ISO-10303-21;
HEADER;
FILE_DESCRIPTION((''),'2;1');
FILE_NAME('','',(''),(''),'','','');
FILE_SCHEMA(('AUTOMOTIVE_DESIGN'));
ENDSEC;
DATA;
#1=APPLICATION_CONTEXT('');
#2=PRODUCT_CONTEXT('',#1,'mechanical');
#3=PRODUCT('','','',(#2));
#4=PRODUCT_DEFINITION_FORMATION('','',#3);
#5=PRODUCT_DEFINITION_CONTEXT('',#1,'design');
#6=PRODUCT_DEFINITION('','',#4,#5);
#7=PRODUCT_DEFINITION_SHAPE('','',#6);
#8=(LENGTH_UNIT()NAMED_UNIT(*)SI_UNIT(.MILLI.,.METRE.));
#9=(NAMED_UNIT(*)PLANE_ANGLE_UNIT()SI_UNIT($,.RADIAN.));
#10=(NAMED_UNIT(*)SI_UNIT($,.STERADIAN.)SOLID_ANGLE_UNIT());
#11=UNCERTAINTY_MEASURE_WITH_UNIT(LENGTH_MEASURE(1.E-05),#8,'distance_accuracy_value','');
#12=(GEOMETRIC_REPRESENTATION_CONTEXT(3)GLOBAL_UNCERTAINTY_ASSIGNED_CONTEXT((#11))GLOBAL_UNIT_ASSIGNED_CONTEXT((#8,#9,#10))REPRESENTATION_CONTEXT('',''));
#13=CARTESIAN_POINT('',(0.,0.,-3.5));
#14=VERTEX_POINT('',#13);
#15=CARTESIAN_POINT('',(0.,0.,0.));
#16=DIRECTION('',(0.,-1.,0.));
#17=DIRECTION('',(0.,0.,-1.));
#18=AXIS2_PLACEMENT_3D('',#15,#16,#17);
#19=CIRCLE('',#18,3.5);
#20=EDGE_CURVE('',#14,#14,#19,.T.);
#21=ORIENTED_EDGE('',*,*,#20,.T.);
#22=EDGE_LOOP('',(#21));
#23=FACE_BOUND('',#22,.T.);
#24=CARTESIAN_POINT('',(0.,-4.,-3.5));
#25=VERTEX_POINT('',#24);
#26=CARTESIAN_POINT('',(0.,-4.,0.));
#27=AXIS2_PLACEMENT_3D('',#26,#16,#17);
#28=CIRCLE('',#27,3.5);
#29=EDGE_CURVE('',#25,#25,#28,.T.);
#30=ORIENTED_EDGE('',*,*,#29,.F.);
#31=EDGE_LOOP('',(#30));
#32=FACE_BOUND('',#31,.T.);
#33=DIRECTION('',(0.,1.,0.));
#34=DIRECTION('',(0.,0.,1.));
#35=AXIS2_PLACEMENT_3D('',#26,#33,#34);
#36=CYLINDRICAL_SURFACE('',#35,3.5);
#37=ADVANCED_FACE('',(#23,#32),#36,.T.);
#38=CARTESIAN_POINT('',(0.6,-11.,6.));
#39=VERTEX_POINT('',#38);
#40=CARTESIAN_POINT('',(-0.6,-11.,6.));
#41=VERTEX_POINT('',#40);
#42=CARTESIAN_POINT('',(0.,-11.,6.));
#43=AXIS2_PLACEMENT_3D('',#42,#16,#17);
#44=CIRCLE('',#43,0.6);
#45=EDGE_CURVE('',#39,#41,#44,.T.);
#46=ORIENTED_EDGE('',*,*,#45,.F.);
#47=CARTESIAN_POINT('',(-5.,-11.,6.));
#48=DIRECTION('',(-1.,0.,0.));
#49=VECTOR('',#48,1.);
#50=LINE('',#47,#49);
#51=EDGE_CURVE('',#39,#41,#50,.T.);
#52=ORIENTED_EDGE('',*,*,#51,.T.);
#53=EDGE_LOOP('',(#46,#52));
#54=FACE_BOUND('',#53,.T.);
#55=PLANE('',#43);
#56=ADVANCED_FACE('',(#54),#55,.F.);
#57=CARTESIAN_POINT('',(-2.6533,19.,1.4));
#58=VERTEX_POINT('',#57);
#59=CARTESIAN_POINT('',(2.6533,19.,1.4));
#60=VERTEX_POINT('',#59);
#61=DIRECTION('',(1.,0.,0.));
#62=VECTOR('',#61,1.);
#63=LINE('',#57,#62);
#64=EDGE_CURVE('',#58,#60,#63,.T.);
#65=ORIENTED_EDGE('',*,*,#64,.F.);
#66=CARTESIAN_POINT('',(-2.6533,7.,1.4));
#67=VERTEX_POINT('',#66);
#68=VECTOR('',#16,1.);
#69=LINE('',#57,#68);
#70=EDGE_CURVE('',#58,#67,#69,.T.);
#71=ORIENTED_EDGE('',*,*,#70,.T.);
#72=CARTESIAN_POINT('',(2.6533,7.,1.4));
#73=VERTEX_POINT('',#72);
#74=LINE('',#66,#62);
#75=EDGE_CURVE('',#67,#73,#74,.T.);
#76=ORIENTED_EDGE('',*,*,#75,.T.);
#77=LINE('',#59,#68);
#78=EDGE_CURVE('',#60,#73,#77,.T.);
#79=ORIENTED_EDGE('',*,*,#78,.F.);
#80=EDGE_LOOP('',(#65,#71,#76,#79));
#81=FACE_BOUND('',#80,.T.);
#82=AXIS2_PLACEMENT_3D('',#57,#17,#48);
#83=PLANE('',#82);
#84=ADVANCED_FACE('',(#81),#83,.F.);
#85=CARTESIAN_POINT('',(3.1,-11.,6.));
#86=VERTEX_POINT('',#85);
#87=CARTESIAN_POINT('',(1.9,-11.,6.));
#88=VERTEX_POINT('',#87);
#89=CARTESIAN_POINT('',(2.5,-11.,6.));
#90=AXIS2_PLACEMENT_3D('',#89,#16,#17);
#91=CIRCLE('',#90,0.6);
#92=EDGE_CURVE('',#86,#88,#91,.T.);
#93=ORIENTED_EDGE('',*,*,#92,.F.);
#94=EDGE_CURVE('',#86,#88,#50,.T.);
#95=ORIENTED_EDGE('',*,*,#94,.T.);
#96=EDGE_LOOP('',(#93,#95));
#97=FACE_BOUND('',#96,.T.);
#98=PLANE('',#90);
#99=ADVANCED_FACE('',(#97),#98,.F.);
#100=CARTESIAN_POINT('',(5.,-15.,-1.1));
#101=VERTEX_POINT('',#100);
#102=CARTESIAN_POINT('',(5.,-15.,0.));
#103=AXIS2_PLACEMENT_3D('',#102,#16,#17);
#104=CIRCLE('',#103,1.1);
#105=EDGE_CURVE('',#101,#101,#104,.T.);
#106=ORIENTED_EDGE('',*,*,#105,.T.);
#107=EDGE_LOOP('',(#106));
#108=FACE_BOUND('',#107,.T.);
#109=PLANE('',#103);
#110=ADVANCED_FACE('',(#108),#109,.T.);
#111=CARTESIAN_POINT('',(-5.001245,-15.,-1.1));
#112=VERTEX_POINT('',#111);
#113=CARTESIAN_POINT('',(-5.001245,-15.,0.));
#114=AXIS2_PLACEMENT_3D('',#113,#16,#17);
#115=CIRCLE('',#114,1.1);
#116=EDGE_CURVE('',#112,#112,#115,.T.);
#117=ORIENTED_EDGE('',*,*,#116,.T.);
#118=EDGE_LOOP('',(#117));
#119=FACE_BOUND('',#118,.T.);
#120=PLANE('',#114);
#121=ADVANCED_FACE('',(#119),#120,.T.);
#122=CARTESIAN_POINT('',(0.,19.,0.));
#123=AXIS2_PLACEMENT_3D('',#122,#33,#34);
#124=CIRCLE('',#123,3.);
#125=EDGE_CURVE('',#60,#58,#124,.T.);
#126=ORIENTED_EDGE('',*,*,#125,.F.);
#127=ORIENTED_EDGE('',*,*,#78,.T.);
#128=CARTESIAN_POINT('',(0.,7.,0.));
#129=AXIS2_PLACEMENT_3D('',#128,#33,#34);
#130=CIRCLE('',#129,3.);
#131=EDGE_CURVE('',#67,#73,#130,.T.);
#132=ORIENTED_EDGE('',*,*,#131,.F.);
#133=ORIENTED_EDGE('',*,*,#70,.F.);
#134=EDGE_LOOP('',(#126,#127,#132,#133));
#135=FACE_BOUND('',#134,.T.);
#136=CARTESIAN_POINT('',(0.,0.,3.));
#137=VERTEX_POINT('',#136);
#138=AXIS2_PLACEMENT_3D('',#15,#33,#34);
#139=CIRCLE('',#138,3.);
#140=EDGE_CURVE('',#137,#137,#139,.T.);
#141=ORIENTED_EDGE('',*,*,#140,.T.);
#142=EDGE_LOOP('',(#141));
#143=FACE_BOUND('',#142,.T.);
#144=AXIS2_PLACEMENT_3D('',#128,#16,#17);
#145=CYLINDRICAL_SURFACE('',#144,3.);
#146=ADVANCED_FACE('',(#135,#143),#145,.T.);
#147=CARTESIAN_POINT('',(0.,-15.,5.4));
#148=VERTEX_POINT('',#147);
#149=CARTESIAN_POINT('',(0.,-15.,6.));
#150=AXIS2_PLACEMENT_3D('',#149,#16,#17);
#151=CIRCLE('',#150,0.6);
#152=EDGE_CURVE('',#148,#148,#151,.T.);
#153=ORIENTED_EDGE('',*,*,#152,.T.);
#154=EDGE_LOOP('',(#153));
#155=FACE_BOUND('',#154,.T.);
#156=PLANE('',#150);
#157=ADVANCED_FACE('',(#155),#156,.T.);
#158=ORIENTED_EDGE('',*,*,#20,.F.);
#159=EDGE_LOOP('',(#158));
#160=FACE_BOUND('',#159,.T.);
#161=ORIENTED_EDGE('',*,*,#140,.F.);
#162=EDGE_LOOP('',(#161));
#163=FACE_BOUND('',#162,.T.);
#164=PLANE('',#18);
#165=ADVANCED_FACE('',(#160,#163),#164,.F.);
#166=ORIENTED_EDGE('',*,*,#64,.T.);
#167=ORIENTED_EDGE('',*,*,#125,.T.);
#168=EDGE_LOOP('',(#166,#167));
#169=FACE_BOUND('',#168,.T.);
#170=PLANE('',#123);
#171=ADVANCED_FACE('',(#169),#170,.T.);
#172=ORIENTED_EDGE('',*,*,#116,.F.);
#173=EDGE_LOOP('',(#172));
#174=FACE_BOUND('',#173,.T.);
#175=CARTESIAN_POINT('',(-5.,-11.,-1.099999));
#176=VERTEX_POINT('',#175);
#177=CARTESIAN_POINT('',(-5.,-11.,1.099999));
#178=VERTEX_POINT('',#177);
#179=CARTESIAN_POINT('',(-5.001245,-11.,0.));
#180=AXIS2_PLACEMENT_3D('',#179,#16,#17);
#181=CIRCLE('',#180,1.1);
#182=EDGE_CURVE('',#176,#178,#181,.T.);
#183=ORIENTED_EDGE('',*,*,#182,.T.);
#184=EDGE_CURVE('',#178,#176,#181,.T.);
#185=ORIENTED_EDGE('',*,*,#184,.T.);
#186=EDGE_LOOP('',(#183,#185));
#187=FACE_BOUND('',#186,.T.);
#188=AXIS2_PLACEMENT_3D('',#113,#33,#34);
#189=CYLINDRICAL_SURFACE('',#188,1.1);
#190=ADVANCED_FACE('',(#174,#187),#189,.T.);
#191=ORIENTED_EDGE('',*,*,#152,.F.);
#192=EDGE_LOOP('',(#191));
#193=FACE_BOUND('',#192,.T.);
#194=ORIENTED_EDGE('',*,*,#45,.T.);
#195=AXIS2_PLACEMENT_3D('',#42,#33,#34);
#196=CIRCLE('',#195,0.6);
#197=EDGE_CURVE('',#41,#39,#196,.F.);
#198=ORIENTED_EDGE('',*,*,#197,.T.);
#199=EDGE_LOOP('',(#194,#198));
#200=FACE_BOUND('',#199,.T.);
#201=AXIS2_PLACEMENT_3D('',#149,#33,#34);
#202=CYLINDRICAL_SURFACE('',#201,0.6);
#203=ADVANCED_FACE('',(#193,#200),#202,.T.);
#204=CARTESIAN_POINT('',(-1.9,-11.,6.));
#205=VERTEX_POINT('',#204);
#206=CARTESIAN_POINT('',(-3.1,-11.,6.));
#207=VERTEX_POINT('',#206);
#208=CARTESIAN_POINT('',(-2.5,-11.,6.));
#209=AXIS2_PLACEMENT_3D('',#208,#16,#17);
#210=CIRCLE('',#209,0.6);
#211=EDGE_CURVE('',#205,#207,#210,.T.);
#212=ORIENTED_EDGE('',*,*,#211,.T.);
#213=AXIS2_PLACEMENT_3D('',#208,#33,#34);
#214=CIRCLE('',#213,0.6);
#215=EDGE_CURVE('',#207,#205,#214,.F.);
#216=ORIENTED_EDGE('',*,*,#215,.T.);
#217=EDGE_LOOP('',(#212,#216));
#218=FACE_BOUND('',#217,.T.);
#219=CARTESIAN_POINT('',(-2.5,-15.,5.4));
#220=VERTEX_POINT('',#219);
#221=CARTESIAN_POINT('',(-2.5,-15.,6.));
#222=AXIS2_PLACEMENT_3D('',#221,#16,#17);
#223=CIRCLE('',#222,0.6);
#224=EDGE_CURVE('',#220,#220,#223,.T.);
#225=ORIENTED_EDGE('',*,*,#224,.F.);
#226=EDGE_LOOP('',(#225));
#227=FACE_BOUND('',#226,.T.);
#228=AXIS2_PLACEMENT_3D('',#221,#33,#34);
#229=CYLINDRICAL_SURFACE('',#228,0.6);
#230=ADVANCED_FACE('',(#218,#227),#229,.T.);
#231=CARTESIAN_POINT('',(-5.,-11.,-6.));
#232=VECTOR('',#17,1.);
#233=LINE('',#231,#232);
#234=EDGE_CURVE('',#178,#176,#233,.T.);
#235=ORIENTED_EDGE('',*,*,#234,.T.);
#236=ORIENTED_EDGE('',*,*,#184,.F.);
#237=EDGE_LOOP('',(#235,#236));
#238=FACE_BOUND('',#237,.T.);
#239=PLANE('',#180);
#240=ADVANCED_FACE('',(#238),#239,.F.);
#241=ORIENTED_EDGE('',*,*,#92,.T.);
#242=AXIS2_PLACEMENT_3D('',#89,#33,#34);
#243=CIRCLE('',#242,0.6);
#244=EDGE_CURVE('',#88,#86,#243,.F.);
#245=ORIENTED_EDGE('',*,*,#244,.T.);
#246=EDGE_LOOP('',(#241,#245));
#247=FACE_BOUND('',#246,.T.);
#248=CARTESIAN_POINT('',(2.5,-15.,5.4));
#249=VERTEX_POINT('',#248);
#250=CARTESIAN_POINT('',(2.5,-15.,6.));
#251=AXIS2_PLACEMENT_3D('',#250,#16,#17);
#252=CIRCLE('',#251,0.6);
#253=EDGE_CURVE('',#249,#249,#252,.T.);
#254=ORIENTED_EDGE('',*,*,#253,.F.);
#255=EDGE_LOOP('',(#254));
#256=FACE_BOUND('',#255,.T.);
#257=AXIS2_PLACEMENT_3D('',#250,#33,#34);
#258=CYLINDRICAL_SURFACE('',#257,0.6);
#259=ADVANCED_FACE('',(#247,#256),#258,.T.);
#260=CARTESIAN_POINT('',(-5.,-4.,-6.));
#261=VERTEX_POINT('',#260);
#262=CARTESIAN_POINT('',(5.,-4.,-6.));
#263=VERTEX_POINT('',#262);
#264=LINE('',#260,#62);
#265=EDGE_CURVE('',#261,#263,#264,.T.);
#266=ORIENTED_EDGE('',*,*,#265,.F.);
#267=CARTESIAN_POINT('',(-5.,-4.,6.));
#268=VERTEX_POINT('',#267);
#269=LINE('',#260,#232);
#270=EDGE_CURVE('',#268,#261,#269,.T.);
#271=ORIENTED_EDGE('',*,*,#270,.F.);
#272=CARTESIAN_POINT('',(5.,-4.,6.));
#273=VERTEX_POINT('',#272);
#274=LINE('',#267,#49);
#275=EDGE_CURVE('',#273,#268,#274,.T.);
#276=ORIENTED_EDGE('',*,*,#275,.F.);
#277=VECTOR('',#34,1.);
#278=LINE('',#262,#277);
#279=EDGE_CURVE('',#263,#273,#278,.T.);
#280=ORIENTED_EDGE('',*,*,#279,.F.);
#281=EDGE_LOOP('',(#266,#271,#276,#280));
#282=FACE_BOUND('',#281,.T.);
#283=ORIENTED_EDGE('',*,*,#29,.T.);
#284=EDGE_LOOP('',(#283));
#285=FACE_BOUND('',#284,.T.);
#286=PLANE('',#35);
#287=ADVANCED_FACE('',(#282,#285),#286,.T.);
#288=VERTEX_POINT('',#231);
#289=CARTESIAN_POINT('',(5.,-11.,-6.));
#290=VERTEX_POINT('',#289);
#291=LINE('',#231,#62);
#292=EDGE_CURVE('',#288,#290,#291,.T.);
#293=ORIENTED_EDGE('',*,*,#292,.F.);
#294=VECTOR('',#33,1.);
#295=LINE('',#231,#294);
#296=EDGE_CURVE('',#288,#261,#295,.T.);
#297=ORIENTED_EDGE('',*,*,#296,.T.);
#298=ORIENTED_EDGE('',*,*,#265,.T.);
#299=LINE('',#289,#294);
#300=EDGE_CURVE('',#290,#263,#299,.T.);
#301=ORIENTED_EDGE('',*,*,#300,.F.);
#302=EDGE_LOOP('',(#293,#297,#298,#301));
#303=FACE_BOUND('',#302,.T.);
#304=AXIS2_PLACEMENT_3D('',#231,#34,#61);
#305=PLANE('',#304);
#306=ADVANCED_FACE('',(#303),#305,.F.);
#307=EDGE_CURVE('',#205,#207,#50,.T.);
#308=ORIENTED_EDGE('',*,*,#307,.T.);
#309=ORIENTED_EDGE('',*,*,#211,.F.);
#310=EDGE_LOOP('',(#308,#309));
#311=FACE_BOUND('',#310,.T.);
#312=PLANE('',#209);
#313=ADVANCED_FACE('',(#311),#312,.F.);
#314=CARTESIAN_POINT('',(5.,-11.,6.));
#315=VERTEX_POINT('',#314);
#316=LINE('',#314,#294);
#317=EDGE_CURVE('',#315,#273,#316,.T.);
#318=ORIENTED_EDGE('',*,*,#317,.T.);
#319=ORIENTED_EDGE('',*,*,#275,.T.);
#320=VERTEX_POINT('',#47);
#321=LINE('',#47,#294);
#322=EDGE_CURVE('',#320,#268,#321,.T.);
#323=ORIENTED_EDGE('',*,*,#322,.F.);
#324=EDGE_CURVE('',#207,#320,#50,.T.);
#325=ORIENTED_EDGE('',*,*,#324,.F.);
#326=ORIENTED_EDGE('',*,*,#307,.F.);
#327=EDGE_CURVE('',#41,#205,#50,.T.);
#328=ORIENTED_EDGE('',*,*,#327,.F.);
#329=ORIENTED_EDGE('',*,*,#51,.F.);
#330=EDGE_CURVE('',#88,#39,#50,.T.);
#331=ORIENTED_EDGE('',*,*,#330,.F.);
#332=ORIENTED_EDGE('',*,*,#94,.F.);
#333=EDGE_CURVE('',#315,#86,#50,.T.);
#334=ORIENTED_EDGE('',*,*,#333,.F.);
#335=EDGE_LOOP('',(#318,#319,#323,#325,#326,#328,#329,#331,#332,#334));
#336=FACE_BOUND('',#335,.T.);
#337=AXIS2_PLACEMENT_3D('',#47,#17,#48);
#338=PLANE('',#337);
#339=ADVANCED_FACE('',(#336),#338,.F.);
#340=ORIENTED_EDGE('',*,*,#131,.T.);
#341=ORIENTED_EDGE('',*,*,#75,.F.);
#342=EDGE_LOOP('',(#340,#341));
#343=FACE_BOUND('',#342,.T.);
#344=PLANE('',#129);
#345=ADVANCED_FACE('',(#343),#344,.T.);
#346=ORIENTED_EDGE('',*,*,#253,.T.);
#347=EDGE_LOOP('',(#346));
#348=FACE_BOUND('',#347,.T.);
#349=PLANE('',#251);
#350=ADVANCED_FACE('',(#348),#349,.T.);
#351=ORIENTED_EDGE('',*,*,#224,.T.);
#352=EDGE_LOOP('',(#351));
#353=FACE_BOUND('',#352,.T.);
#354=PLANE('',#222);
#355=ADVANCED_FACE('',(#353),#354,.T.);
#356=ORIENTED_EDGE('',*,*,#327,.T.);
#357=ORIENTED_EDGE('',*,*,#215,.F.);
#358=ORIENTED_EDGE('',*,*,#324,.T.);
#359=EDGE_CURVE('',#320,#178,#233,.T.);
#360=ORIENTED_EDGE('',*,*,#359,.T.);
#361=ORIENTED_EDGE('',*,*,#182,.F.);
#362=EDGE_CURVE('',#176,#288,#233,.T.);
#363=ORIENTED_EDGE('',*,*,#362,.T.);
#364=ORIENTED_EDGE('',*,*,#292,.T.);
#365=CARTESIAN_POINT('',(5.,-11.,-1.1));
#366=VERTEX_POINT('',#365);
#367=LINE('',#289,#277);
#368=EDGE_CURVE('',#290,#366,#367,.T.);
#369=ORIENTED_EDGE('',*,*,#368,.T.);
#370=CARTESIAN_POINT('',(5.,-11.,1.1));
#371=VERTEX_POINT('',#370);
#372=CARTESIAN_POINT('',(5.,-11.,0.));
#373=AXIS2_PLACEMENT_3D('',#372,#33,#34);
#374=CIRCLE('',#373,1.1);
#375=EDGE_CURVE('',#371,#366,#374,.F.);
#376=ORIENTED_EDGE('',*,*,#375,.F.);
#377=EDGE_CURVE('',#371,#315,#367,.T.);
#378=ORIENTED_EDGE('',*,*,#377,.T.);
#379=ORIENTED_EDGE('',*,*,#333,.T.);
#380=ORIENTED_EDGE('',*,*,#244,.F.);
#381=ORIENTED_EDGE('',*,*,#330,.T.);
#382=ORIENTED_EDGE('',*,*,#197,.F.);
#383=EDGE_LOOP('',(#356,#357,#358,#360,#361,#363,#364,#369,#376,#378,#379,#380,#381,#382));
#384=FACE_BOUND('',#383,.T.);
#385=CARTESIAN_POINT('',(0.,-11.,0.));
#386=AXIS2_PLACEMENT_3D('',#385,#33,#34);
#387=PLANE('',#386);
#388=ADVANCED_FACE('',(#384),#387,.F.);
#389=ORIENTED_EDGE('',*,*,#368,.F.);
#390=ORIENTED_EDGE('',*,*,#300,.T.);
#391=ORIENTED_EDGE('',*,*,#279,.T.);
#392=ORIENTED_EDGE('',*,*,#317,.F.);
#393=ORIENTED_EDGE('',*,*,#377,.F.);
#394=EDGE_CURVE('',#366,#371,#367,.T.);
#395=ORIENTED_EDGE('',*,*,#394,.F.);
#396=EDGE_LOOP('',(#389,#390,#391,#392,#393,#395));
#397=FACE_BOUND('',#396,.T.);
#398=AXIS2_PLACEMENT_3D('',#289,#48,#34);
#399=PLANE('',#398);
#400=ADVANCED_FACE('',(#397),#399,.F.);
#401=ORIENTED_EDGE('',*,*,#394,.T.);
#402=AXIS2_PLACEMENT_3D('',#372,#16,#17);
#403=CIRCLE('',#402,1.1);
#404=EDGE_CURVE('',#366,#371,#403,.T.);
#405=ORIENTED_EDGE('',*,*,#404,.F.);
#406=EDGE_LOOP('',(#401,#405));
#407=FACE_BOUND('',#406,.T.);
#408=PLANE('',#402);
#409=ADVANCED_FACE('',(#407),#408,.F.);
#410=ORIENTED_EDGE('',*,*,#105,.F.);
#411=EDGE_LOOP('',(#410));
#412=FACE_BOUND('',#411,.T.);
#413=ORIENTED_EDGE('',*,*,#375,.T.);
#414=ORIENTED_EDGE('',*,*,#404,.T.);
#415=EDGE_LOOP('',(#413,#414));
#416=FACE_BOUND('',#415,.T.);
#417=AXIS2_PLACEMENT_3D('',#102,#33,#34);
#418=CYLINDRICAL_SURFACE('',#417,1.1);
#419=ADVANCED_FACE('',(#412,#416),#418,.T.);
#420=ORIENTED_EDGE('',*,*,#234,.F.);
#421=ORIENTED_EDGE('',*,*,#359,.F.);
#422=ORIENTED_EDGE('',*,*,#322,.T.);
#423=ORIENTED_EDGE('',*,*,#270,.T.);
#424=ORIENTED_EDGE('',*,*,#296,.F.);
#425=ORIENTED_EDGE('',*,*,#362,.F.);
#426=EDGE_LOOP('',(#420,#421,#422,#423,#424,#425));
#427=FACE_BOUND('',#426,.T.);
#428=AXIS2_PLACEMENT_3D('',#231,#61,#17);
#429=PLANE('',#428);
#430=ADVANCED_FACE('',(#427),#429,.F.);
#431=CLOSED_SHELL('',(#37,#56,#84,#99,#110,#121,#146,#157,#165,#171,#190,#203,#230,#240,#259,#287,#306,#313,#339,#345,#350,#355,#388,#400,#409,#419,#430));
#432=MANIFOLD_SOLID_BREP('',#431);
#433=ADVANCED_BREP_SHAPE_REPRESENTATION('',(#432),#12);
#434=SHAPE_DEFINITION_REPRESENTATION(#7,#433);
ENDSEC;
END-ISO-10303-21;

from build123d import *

# Parameters (mm, degrees)
SKETCH1_R           = 3
BOSS_EXTRUDE1_DEPTH = 7
BOSS_EXTRUDE2_DEPTH = 12
SKETCH3_R           = 3.5
BOSS_EXTRUDE3_DEPTH = 4
SKETCH4_W           = 10
SKETCH4_H           = 12
BOSS_EXTRUDE4_DEPTH = 7
SKETCH5_R           = 1.1
BOSS_EXTRUDE5_DEPTH = 4
SKETCH6_R           = 0.6
BOSS_EXTRUDE6_DEPTH = 4


with BuildPart() as part:
    # Sketch1 → Boss-Extrude1 (new body)
    with BuildSketch(Plane(origin=(0, 0, 0), x_dir=(1, 0, 0), z_dir=(0, 1, 0))):
        with Locations(Location((0, 0, 0), (0, 0, 270))):
            Circle(SKETCH1_R)
    extrude(amount=BOSS_EXTRUDE1_DEPTH)

    # Sketch2 → Boss-Extrude2 (add)
    with BuildSketch(Plane(origin=(0, 7, 0), x_dir=(1, 0, 0), z_dir=(0, 1, 0))):
        with BuildLine():
            Line((-2.653299832, -1.4), (2.653299832, -1.4))
            ThreePointArc((2.653299832, -1.4), (0, 3), (-2.653299832, -1.4))
        make_face()
    extrude(amount=BOSS_EXTRUDE2_DEPTH)

    # Sketch3 → Boss-Extrude3 (add)
    with BuildSketch(Plane.XZ):
        with Locations(Location((0, 0, 0), (0, 0, 270))):
            Circle(SKETCH3_R)
    extrude(amount=BOSS_EXTRUDE3_DEPTH)

    # Sketch4 → Boss-Extrude4 (add)
    with BuildSketch(Plane.XZ.offset(4)):
        Rectangle(SKETCH4_W, SKETCH4_H)
    extrude(amount=BOSS_EXTRUDE4_DEPTH)

    # Sketch5 → Boss-Extrude5 (add)
    with BuildSketch(Plane.XZ.offset(11)):
        with Locations(Location((-5.001245267, 0, 0), (0, 0, 89.93513768))):
            Circle(SKETCH5_R)
        with Locations(Location((5, 0, 0), (0, 0, 270))):
            Circle(SKETCH5_R)
    extrude(amount=BOSS_EXTRUDE5_DEPTH)

    # Sketch6 → Boss-Extrude6 (add)
    with BuildSketch(Plane.XZ.offset(11)):
        with Locations(Location((0, 6, 0), (0, 0, 180))):
            Circle(SKETCH6_R)
        with Locations(Location((2.5, 6, 0), (0, 0, 180))):
            Circle(SKETCH6_R)
        with Locations(Location((-2.5, 6, 0), (0, 0, 180))):
            Circle(SKETCH6_R)
    extrude(amount=BOSS_EXTRUDE6_DEPTH)


solid = part.part
